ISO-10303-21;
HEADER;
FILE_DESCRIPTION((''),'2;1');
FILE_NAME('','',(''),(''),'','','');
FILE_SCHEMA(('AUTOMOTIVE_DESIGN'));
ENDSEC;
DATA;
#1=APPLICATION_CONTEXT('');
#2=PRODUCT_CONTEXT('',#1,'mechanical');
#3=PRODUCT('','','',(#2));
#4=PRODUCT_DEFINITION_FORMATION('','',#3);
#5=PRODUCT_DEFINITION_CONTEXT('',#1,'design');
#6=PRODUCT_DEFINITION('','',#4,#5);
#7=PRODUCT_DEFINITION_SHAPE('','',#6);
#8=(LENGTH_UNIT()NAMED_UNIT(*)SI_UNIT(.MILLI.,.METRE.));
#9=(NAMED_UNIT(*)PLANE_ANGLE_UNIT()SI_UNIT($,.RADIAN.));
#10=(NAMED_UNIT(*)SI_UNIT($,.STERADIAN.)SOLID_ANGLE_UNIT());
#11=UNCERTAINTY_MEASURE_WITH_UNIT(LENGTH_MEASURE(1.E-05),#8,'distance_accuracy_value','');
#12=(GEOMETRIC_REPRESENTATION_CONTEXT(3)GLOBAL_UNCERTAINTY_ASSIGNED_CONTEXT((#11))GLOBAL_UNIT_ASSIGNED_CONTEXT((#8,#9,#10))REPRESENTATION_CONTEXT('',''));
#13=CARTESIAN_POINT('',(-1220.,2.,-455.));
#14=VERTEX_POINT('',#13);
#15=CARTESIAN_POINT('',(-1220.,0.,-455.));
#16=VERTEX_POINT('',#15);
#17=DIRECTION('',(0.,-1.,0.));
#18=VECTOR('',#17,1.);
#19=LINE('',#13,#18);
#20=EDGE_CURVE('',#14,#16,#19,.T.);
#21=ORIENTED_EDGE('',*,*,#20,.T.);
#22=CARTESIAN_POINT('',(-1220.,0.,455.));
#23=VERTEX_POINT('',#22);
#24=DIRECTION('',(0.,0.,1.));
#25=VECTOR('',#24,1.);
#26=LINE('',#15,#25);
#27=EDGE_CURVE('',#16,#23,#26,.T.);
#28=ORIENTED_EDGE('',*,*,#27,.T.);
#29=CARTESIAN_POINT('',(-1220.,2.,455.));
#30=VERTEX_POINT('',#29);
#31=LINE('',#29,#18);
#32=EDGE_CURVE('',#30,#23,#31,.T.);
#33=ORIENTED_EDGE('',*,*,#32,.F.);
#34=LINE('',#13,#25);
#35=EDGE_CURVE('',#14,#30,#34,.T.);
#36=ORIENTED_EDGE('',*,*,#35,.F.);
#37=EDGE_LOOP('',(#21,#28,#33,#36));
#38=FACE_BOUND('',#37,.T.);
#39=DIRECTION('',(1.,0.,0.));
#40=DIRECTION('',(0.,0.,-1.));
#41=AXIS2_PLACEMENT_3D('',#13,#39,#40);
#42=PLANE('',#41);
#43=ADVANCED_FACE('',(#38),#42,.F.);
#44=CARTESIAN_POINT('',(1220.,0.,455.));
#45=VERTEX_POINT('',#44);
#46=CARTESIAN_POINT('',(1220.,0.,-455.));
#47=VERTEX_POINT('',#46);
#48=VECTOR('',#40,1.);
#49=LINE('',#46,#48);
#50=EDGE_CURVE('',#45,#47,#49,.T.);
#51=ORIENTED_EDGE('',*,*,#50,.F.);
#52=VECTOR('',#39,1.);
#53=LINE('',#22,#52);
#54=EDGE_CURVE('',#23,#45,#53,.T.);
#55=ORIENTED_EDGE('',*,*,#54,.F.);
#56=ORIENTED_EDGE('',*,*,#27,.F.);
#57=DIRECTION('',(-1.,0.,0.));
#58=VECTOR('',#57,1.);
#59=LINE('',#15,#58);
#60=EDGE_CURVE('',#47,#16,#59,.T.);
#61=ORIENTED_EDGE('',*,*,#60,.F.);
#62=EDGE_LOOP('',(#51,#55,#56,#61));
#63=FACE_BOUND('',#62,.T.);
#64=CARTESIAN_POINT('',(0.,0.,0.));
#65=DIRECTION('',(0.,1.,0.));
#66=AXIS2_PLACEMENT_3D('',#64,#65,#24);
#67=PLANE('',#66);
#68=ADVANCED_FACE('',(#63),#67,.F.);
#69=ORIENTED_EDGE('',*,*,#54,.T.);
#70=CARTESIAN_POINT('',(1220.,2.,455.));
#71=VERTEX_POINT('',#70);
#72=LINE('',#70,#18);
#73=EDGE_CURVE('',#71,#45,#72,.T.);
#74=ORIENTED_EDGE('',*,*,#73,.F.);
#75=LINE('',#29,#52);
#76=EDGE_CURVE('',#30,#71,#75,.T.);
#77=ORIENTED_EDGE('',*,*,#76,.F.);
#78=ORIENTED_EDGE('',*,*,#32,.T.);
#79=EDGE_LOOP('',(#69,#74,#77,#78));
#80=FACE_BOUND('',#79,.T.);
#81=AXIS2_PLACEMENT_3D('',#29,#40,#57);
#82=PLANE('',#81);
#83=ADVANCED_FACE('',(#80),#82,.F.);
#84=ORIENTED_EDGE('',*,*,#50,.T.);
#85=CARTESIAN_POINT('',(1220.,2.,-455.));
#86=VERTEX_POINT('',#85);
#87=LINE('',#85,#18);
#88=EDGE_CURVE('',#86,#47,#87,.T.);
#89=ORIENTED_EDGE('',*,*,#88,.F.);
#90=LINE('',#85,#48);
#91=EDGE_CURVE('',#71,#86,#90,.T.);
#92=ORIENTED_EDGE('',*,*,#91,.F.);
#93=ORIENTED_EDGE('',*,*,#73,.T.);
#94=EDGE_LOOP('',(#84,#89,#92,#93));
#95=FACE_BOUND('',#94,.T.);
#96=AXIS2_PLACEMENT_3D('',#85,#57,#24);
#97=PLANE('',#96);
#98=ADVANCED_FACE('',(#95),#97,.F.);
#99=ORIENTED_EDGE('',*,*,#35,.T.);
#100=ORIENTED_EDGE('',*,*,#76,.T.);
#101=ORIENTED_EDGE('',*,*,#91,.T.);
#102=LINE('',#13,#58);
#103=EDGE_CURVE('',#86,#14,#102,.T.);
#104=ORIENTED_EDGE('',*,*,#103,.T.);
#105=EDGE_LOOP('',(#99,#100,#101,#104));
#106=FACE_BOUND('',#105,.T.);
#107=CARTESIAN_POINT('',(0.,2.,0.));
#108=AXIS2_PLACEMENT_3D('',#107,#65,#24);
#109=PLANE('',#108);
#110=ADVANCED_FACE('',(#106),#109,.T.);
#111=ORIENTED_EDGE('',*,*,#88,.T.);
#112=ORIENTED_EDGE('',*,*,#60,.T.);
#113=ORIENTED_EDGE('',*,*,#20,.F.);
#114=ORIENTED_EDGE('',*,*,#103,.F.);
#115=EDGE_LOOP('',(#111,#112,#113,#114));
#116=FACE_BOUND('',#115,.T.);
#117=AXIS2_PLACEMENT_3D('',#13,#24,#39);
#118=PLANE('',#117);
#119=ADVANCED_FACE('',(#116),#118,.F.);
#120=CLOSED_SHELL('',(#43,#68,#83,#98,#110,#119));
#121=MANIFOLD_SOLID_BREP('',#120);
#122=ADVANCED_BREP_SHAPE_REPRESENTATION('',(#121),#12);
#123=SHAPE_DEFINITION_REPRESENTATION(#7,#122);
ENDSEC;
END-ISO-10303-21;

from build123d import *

# Parameters (mm, degrees)
CROQUIS1_W              = 2440
CROQUIS1_H              = 910
SALIENTE_EXTRUIR1_DEPTH = 2


with BuildPart() as part:
    # Croquis1 → Saliente-Extruir1 (new body)
    with BuildSketch(Plane(origin=(0, 0, 0), x_dir=(1, 0, 0), z_dir=(0, 1, 0))):
        Rectangle(CROQUIS1_W, CROQUIS1_H)
    extrude(amount=SALIENTE_EXTRUIR1_DEPTH)


solid = part.part
